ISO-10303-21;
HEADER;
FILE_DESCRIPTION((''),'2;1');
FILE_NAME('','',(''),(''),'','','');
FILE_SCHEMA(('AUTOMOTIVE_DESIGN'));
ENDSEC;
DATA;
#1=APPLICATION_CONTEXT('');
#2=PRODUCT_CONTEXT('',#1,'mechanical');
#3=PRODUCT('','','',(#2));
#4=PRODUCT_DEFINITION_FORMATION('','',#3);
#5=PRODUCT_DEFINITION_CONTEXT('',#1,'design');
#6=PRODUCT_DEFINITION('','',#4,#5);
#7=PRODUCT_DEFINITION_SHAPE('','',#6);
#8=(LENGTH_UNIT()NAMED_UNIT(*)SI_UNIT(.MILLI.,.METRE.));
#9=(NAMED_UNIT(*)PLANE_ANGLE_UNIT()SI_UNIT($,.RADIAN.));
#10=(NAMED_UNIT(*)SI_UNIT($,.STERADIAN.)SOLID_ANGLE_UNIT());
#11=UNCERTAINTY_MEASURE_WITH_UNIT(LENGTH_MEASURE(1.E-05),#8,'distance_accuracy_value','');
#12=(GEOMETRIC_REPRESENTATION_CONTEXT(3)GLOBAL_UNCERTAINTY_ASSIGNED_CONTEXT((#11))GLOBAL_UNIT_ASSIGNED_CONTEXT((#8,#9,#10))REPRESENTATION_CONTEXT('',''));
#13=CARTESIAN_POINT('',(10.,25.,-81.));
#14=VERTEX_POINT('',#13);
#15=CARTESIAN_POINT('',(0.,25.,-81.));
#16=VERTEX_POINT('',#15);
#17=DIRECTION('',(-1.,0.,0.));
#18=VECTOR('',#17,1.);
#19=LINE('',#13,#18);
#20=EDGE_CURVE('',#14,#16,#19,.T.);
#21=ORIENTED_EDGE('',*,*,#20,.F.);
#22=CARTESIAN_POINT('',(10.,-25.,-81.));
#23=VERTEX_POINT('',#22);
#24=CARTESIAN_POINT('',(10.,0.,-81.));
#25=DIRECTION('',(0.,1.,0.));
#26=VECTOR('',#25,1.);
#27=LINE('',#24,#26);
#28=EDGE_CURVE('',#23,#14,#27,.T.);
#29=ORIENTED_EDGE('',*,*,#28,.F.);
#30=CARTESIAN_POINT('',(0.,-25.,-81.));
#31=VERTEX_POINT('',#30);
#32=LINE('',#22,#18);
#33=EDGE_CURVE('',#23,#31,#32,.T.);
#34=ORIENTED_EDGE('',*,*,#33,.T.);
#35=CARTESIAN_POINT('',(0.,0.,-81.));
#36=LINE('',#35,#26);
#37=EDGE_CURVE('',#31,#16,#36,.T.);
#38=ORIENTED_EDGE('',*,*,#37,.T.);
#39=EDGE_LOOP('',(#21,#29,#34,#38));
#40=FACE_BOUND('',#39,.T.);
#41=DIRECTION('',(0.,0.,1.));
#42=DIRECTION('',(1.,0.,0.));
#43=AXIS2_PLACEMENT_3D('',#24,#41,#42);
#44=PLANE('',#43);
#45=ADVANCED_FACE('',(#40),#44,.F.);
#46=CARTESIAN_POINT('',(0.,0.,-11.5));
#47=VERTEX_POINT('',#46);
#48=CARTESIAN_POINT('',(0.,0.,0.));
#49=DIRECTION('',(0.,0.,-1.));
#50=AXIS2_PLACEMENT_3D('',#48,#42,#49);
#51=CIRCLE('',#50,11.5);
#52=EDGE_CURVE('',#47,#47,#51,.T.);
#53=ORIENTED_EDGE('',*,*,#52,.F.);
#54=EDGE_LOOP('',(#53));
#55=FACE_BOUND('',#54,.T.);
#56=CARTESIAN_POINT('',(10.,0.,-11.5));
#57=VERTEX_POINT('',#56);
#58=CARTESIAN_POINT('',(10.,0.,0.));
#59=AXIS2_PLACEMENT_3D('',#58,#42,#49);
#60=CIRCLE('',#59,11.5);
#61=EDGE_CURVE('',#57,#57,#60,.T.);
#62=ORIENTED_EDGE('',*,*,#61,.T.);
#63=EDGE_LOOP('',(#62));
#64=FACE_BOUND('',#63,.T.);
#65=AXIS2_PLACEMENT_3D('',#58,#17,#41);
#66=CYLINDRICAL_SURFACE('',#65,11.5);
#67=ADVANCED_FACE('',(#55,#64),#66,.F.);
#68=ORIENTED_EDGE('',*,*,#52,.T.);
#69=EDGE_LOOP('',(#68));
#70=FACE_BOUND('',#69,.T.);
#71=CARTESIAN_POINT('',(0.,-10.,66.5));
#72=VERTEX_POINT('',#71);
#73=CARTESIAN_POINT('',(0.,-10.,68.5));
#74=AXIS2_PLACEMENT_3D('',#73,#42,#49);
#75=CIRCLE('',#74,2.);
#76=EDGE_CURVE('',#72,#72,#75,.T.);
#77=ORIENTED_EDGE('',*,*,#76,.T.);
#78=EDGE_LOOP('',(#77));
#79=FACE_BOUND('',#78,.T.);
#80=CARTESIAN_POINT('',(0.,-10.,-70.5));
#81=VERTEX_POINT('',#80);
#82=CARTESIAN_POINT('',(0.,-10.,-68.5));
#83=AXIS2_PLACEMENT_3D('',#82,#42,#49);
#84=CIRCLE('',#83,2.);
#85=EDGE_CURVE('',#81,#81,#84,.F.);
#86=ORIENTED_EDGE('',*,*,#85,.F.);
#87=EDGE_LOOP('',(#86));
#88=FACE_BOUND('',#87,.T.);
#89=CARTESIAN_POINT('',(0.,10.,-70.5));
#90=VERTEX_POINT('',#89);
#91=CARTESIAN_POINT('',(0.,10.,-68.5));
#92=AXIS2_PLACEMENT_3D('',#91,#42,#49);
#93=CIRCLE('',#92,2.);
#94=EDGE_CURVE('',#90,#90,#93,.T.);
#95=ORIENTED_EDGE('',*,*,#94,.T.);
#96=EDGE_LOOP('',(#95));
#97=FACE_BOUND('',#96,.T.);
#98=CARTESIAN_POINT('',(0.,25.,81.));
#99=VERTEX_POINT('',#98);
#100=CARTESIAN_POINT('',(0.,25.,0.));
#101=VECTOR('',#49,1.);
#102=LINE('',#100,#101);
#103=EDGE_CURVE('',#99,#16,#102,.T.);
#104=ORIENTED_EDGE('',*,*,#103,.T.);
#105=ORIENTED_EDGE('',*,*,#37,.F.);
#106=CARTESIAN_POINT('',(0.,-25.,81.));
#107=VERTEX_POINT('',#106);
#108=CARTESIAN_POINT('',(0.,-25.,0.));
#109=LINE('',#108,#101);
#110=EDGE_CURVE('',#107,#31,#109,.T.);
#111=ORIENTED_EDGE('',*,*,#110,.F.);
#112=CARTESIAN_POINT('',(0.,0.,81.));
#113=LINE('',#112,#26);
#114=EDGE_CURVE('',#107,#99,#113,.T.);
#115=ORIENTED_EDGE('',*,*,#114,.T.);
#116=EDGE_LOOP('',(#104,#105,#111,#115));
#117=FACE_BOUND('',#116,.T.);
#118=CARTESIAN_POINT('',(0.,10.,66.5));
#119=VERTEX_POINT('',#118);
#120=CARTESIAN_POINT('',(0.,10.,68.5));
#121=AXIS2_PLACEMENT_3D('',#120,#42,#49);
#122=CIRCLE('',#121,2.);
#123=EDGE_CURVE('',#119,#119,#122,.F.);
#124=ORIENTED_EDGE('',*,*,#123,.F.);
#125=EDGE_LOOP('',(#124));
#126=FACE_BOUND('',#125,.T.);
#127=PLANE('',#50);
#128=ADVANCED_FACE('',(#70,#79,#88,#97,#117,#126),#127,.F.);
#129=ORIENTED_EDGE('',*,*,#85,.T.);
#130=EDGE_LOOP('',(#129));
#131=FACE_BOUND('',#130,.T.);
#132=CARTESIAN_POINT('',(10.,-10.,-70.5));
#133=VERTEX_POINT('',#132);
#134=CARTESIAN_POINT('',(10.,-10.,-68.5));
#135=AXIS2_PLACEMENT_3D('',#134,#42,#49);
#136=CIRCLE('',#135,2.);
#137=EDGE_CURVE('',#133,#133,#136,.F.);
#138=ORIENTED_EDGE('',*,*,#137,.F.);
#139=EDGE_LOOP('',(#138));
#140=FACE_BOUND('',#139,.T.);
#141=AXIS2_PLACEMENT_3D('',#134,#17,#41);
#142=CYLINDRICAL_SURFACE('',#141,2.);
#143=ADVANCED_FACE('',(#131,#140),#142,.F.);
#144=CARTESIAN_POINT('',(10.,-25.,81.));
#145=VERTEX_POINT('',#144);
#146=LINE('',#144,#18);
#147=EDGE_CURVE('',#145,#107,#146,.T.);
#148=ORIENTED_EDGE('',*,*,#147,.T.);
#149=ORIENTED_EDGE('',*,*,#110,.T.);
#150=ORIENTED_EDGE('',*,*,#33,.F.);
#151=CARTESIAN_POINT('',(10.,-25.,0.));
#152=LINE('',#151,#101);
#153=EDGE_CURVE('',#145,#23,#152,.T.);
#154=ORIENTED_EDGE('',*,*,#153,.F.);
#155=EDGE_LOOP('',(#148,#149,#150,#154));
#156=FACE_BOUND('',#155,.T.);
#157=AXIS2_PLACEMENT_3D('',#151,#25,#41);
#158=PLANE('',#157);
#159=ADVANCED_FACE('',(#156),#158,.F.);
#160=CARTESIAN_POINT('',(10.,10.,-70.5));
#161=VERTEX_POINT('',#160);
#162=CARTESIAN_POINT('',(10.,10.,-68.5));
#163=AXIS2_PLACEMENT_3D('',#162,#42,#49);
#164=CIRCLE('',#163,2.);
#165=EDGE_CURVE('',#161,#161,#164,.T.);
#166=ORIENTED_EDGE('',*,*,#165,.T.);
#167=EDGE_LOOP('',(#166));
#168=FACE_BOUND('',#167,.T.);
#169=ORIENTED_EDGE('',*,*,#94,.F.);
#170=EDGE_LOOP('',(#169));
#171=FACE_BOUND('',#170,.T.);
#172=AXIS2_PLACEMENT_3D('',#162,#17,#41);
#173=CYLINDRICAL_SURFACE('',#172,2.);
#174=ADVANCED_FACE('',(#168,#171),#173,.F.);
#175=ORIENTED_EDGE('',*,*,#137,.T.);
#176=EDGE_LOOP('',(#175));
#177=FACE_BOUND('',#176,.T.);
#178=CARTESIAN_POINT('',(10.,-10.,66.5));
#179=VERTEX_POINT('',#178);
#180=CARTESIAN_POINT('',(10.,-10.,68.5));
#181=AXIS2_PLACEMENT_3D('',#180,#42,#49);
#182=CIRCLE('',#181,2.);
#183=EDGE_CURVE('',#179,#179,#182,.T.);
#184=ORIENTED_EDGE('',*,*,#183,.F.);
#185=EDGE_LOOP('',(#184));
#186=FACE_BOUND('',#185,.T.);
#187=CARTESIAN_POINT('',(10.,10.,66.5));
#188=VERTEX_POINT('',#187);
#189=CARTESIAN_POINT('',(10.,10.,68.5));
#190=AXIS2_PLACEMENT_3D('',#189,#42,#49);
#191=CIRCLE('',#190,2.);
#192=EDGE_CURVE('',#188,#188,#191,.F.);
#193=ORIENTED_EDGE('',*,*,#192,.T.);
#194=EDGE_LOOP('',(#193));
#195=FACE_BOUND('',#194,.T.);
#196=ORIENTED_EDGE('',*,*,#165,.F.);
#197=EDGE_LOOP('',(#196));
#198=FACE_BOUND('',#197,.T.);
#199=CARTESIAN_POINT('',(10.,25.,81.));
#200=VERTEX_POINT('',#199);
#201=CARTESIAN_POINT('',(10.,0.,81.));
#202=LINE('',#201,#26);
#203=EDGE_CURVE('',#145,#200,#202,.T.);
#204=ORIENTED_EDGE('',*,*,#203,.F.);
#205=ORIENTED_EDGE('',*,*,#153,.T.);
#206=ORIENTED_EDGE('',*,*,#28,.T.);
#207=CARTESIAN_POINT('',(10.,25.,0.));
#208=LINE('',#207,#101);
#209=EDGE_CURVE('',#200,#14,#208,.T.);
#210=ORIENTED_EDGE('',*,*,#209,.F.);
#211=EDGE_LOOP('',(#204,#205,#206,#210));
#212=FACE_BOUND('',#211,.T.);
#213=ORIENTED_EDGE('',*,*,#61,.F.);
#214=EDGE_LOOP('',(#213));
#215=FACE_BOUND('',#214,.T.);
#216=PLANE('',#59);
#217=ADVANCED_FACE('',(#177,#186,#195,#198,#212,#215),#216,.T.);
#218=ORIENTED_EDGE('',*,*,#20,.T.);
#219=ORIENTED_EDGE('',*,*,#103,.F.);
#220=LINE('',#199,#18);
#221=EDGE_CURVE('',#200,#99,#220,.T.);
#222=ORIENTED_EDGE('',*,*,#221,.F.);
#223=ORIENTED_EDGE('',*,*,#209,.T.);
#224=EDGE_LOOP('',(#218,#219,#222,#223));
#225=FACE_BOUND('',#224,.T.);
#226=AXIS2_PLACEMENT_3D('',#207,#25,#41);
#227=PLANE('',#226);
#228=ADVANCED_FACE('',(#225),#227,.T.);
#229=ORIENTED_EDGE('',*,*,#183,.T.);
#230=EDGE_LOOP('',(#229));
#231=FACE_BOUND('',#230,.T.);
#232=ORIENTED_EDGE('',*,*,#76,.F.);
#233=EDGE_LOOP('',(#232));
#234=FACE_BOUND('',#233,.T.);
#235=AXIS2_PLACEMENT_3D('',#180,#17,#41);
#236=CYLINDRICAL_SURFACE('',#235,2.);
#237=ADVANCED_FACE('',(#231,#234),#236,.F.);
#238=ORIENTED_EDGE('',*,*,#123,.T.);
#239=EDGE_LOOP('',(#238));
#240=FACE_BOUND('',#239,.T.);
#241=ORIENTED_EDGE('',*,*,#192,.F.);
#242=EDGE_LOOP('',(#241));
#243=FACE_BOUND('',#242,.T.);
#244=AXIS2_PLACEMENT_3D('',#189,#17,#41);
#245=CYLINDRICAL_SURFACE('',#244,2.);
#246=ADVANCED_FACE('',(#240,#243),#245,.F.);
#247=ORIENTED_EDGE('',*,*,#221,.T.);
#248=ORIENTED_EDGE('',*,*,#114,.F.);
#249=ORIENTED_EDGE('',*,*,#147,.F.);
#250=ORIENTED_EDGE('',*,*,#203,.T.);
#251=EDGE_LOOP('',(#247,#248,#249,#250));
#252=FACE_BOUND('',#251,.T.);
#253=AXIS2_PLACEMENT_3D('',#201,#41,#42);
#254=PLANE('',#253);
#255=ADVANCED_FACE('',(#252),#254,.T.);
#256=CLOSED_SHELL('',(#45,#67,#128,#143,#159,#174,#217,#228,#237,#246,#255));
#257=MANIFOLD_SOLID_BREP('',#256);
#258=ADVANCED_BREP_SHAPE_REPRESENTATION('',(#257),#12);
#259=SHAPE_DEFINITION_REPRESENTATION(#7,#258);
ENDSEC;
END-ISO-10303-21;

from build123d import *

# Parameters (mm, degrees)
SKETCH1_W           = 112
SKETCH1_H           = 50
SKETCH1_R           = 11.5
SKETCH1_W_2         = 25
SKETCH1_R_2         = 2
BOSS_EXTRUDE1_DEPTH = 10


with BuildPart() as part:
    # Sketch1 → Boss-Extrude1 (new body)
    # profile 1 of 3: a face of its own
    with BuildSketch(Plane(origin=(0, 0, 0), x_dir=(0, 0, -1), z_dir=(1, 0, 0))):
        Rectangle(SKETCH1_W, SKETCH1_H)
        Circle(SKETCH1_R, mode=Mode.SUBTRACT)
    # profile 2 of 3: a face of its own
    with BuildSketch(Plane(origin=(0, 0, 0), x_dir=(0, 0, -1), z_dir=(1, 0, 0))):
        with Locations((-68.5, 0)):
            Rectangle(SKETCH1_W_2, SKETCH1_H)
        with Locations((-68.5, -10)):
            Circle(SKETCH1_R_2, mode=Mode.SUBTRACT)
        with Locations((-68.5, 10)):
            Circle(SKETCH1_R_2, mode=Mode.SUBTRACT)
    # profile 3 of 3: a face of its own
    with BuildSketch(Plane(origin=(0, 0, 0), x_dir=(0, 0, -1), z_dir=(1, 0, 0))):
        with Locations((68.5, 0)):
            Rectangle(SKETCH1_W_2, SKETCH1_H)
        with Locations((68.5, -10)):
            Circle(SKETCH1_R_2, mode=Mode.SUBTRACT)
        with Locations((68.5, 10)):
            Circle(SKETCH1_R_2, mode=Mode.SUBTRACT)
    extrude(amount=BOSS_EXTRUDE1_DEPTH)


solid = part.part
